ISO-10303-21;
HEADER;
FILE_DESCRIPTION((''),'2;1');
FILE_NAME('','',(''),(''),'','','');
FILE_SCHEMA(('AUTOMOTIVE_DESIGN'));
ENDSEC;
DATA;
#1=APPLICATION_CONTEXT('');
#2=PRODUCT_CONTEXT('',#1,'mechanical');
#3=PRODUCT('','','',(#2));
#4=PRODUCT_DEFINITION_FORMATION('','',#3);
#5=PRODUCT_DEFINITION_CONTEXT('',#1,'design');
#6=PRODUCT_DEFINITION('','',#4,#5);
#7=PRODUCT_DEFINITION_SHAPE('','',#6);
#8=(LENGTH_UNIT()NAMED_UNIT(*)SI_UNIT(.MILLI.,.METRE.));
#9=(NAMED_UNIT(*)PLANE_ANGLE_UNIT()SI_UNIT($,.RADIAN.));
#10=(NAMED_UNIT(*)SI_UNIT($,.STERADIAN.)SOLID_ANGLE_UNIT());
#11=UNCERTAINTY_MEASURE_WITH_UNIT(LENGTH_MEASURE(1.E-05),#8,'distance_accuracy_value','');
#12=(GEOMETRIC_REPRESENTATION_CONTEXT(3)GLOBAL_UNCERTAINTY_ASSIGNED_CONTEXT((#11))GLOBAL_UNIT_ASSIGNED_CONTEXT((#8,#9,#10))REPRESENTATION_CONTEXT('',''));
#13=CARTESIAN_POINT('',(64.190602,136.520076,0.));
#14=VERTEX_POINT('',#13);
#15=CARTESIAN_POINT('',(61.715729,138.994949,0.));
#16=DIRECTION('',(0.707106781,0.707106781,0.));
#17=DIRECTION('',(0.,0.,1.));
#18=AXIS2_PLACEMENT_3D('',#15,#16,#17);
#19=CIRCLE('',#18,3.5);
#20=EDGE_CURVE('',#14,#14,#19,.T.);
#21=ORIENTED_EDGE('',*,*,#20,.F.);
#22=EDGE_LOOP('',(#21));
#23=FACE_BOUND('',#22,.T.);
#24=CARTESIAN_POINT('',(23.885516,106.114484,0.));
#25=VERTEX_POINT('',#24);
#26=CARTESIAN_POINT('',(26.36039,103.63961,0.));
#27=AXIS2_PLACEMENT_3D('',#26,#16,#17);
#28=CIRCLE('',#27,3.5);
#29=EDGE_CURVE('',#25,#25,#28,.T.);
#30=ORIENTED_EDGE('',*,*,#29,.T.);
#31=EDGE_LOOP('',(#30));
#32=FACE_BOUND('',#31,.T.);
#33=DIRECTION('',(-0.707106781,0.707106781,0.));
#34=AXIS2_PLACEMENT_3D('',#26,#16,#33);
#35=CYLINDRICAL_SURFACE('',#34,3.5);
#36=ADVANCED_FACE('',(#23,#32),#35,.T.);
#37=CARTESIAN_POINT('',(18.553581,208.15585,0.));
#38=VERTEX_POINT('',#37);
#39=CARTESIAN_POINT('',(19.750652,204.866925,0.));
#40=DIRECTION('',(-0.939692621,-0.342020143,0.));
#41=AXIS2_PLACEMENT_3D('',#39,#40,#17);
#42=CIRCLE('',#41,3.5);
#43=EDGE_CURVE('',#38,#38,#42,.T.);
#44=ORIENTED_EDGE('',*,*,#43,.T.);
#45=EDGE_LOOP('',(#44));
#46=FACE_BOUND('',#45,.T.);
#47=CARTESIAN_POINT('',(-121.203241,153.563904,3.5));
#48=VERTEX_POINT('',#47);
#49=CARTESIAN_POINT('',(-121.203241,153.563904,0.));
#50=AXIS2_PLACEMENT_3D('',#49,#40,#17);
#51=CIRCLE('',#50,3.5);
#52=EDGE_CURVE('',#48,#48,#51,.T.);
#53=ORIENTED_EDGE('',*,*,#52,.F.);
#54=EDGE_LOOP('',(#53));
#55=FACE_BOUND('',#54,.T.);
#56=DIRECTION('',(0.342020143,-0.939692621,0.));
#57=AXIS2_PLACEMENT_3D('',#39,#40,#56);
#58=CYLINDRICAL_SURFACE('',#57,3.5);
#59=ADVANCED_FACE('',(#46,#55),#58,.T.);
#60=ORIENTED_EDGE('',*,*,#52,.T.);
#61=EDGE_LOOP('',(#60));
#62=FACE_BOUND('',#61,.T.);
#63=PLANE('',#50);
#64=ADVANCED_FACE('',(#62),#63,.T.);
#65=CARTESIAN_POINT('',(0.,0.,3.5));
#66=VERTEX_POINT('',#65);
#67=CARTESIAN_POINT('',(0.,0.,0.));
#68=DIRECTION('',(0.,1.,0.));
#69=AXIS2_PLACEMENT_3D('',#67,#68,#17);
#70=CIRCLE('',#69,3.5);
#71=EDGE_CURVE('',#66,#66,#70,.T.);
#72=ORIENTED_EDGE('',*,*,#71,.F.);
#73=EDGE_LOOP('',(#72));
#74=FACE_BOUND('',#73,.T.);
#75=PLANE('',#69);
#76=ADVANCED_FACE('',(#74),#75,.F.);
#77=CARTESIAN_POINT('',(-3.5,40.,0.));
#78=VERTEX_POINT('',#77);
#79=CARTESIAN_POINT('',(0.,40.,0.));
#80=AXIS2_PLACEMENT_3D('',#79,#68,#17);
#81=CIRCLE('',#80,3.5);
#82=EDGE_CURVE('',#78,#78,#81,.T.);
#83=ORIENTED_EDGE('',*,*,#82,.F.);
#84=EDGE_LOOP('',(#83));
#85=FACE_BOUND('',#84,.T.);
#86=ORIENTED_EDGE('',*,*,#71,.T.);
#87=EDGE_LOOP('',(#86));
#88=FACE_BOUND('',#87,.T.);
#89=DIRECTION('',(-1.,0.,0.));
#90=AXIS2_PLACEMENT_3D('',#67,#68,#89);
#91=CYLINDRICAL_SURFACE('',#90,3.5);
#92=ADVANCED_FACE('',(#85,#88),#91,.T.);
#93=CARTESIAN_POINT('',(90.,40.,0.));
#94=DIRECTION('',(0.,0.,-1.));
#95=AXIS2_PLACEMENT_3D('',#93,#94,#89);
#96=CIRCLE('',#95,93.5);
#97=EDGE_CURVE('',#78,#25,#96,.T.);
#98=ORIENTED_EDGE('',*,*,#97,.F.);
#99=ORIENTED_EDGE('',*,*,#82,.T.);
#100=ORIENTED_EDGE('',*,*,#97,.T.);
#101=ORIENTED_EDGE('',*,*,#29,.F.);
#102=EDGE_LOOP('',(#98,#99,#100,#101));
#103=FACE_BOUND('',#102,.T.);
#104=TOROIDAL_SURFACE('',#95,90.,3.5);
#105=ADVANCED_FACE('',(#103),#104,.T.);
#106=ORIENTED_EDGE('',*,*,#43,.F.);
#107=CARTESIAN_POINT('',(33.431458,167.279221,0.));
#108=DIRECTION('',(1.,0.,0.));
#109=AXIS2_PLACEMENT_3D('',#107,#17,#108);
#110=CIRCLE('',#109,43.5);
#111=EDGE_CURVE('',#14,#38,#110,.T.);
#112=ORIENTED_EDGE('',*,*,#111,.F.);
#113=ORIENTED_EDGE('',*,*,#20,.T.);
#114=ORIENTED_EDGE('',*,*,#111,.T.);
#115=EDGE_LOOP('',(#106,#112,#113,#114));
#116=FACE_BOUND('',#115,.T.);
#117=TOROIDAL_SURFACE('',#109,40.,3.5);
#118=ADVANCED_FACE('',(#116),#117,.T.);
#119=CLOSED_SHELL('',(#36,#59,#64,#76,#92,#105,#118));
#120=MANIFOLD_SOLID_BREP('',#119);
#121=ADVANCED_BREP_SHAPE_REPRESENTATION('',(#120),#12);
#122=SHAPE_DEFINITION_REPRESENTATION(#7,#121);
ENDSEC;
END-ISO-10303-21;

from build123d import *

# Parameters (mm, degrees)
CROQUIS2_R = 3.5


with BuildPart() as part:
    # Barrer1: sweep along a path in Croquis1
    with BuildLine(Plane.XY) as barrer1_path:
        Line((0, 0), (0, 40))
        ThreePointArc((0, 40), (6.850842074, 74.441508913), (26.360389693, 103.639610307))
        Line((26.360389693, 103.639610307), (61.715728753, 138.994949366))
        ThreePointArc((61.715728753, 138.994949366), (67.167115338, 188.771204947), (19.750651772, 204.866925445))
        Line((19.750651772, 204.866925445), (-121.203241346, 153.563903946))
    # Croquis2 → Barrer1 (sweep)
    with BuildSketch(Plane(origin=(0, 0, 0), x_dir=(1, 0, 0), z_dir=(0, 1, 0))):
        Circle(CROQUIS2_R)
    sweep(path=barrer1_path.line)


solid = part.part
